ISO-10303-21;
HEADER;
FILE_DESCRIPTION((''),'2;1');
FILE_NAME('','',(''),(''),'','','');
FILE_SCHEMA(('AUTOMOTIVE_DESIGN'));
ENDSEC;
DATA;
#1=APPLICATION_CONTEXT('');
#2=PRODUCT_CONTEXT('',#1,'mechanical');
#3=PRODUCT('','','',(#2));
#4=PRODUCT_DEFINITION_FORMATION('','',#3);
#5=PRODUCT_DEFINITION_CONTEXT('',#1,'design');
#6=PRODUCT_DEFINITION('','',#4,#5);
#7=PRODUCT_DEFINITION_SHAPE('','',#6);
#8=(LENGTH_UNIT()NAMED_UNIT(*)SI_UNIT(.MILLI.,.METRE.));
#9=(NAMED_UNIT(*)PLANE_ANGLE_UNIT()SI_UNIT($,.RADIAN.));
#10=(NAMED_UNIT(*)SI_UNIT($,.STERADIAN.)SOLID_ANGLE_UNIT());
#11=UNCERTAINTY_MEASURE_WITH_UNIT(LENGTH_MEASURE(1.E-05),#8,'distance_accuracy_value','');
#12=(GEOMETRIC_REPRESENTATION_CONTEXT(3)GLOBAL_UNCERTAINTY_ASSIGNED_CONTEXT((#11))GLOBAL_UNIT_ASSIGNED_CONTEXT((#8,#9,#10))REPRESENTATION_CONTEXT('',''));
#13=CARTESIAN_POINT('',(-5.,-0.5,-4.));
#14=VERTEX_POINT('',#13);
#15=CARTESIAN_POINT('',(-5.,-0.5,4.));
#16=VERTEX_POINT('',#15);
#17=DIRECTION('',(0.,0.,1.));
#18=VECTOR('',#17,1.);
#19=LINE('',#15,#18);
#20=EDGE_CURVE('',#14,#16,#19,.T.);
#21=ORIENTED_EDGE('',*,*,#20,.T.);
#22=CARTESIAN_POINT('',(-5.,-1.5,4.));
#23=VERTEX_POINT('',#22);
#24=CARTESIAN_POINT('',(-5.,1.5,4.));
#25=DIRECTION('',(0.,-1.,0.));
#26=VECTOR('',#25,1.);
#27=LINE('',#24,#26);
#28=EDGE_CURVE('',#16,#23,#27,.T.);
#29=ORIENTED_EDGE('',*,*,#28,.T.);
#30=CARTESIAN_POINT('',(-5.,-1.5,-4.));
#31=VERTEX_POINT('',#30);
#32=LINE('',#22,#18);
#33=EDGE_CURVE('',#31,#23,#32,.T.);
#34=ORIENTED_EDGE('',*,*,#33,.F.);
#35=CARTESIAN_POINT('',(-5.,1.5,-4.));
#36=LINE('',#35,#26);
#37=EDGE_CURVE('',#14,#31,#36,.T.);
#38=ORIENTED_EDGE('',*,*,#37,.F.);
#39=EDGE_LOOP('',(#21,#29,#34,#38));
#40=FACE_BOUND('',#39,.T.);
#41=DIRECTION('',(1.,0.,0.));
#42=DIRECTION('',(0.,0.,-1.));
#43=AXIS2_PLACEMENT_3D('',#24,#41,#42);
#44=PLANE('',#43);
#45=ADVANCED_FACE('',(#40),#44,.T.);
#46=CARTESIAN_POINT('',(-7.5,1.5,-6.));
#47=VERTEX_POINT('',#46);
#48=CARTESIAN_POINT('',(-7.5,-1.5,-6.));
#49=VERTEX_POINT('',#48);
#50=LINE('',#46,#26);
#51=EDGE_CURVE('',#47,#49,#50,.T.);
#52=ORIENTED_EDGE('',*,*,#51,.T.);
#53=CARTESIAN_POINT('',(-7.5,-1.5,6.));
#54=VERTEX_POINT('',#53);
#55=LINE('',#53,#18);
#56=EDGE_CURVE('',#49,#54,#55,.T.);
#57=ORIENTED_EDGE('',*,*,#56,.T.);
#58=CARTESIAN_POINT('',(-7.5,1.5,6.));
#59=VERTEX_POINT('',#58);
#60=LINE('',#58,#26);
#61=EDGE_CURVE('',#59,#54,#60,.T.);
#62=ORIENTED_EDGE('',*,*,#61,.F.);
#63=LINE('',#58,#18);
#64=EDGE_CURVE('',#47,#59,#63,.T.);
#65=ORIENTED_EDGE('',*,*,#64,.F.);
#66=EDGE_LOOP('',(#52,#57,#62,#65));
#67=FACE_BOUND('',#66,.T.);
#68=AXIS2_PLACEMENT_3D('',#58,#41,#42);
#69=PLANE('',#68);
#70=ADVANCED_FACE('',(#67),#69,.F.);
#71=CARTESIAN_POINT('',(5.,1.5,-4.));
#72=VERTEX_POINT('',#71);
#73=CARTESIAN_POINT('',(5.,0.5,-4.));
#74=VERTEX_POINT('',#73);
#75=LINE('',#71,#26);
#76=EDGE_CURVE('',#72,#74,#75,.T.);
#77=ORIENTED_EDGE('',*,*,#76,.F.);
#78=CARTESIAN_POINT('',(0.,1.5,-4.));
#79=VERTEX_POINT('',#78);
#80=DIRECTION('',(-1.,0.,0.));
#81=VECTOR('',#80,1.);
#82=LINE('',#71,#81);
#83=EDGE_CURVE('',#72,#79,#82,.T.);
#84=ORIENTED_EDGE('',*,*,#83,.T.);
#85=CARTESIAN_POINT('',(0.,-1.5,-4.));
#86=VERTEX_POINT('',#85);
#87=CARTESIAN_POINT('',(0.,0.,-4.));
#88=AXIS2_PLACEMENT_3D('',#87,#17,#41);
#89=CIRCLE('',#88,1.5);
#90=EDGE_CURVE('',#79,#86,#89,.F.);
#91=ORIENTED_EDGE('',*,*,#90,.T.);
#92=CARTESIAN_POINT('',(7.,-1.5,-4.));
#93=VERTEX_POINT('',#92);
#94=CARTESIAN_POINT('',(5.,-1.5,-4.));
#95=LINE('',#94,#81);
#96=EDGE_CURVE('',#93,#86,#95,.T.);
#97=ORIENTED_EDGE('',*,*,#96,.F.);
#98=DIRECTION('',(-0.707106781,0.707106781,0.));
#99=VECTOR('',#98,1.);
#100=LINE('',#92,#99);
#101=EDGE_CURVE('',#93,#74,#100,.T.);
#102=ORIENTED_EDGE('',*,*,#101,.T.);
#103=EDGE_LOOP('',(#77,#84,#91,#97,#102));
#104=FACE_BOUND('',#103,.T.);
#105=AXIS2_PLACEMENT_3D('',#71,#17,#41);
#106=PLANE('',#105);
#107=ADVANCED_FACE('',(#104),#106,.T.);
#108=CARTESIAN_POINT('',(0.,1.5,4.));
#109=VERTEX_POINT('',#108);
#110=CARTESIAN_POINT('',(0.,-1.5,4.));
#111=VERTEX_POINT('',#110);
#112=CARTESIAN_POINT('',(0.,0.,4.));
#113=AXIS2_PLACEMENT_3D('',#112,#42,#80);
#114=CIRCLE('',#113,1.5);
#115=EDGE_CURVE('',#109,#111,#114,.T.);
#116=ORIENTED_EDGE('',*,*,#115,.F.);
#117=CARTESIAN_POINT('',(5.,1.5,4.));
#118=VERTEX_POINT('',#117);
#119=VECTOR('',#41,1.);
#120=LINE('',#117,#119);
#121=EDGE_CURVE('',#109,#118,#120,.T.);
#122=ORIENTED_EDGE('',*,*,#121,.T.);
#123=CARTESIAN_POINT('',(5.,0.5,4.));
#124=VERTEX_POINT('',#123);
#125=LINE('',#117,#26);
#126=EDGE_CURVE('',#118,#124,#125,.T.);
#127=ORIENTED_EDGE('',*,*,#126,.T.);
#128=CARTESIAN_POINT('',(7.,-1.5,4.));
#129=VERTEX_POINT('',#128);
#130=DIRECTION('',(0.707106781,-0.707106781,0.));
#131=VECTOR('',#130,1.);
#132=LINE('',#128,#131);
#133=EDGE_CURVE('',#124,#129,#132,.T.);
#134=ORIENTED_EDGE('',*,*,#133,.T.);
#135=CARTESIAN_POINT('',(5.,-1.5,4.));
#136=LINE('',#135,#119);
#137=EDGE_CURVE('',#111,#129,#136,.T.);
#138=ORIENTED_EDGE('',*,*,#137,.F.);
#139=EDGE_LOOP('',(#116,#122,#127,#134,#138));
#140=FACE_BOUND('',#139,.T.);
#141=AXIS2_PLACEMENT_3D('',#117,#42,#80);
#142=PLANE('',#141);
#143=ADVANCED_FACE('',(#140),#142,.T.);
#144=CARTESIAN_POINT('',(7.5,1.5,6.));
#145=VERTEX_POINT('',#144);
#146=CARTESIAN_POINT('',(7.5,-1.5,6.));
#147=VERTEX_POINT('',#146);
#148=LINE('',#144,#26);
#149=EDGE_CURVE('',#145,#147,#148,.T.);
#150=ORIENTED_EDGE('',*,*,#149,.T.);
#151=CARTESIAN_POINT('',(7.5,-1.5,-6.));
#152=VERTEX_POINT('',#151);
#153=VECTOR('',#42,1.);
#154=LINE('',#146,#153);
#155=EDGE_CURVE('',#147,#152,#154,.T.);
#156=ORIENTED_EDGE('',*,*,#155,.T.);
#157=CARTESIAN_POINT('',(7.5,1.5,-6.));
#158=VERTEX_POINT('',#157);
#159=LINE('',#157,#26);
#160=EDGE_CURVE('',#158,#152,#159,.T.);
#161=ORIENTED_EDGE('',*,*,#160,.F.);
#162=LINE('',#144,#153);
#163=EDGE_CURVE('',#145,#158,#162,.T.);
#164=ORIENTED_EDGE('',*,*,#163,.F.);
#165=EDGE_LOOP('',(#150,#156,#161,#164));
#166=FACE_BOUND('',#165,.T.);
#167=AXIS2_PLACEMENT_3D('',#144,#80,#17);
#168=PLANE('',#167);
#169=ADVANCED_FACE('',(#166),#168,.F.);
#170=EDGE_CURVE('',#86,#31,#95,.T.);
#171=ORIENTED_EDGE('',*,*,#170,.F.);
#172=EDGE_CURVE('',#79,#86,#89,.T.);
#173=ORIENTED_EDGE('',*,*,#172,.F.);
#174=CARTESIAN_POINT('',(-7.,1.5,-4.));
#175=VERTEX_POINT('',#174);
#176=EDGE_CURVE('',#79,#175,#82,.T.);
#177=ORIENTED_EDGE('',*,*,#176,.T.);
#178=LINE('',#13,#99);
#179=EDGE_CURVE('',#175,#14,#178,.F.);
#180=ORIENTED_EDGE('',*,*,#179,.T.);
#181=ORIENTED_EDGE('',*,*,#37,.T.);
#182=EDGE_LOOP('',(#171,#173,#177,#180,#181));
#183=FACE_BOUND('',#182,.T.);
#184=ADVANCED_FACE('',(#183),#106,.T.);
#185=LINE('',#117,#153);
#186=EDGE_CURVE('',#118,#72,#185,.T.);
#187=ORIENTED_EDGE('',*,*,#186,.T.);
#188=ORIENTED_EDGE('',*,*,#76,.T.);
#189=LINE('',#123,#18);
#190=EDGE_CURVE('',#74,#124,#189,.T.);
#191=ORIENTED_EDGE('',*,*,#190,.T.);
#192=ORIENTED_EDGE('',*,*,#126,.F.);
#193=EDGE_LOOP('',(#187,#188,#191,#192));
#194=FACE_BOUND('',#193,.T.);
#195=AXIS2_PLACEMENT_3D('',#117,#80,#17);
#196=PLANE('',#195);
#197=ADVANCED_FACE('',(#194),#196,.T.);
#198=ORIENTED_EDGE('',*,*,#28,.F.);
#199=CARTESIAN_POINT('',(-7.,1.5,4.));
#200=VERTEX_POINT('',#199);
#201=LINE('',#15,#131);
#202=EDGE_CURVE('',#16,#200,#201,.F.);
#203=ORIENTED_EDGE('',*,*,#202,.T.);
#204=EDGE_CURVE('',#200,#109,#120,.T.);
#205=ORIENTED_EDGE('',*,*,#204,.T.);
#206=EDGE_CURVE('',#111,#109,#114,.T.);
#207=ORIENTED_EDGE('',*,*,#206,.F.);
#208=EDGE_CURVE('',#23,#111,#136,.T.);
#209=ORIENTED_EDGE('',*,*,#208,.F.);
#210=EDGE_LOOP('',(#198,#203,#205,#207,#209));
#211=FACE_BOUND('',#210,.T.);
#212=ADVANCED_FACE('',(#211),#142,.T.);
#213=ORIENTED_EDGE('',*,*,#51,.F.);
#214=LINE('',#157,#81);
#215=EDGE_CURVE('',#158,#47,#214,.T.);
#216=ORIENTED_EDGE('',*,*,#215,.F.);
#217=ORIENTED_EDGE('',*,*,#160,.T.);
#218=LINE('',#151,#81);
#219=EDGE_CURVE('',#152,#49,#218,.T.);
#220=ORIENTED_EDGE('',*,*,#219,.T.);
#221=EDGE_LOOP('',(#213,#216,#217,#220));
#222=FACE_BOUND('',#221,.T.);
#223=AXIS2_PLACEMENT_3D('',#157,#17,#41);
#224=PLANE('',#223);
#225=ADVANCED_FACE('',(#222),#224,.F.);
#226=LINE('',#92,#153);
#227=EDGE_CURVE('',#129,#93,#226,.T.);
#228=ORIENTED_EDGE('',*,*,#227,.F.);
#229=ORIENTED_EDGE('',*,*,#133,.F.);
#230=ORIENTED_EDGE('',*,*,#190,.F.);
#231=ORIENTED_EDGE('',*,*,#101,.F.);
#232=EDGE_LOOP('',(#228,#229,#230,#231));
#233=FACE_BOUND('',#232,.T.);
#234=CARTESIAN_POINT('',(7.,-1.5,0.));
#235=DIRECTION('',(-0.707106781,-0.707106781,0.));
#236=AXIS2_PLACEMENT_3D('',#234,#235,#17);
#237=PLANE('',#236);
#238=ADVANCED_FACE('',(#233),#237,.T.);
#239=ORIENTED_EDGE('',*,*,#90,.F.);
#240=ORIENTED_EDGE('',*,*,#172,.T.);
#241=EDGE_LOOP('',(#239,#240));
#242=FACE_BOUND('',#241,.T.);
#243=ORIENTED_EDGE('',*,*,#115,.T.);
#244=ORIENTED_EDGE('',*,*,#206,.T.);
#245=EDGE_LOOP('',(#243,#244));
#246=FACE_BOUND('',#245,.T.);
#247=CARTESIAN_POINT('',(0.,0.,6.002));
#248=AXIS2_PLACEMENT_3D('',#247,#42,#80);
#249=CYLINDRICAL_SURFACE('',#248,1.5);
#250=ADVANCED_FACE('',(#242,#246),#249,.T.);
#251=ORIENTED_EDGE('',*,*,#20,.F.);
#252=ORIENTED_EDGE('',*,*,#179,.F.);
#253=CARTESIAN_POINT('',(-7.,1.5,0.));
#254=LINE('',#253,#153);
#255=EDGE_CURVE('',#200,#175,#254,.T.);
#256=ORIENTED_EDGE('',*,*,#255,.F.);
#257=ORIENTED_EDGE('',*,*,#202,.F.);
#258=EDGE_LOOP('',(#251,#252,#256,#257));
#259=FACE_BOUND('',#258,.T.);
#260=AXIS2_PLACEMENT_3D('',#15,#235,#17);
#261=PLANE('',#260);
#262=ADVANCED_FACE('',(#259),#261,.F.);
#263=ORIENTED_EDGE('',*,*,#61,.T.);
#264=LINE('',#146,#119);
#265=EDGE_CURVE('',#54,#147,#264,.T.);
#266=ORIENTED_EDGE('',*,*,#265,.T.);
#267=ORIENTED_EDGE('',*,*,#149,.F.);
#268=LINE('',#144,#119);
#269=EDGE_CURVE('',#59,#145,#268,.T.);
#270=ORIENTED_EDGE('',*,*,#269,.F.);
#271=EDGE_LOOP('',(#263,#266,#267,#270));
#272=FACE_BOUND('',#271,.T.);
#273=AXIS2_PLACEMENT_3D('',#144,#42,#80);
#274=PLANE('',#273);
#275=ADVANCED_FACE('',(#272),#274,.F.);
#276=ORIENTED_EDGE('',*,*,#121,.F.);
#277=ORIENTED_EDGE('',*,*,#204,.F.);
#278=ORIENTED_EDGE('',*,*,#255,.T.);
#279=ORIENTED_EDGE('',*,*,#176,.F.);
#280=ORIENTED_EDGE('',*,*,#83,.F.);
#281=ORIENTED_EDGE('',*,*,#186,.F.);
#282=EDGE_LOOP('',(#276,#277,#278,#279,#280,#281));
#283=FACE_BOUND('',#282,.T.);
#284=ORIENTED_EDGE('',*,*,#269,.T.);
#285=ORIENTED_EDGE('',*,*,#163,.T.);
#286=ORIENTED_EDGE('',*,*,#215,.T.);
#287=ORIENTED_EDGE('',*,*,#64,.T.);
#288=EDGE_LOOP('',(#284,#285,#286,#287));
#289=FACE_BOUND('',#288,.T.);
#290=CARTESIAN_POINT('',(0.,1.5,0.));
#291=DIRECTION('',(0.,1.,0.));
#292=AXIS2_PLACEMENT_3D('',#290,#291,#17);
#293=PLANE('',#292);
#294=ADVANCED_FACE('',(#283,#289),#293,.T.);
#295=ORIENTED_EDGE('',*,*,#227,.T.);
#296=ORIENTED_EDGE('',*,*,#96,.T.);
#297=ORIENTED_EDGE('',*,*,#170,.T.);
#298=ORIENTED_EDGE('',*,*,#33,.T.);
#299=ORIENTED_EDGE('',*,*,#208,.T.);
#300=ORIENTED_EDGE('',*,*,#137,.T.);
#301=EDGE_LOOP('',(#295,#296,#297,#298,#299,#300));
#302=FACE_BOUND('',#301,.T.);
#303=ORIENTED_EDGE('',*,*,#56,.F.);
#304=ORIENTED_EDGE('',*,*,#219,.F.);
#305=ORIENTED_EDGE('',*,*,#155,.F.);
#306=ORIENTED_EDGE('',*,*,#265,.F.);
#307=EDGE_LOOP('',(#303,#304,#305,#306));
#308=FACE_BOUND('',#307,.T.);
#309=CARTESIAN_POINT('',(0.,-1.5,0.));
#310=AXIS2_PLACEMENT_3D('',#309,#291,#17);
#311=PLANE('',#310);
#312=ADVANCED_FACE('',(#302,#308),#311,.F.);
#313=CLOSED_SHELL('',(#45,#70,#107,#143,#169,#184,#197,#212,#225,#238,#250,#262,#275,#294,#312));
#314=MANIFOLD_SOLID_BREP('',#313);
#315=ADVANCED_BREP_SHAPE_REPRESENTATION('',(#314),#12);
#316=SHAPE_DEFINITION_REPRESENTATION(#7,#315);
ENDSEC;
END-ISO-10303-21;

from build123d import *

# Parameters (mm, degrees)
SKETCH1_W           = 15
SKETCH1_H           = 12
SKETCH1_W_2         = 10
SKETCH1_H_2         = 8
BOSS_EXTRUDE1_DEPTH = 1.5
BOSS_EXTRUDE2_REACH = 12
SKETCH2_R           = 1.5
CHAMFER1_SIZE       = 2
CHAMFER2_SIZE       = 2


with BuildPart() as part:
    # Sketch1 → Boss-Extrude1 (new body, symmetric)
    with BuildSketch(Plane(origin=(0, 0, 0), x_dir=(1, 0, 0), z_dir=(0, 1, 0))):
        Rectangle(SKETCH1_W, SKETCH1_H)
        Rectangle(SKETCH1_W_2, SKETCH1_H_2, mode=Mode.SUBTRACT)
    extrude(amount=BOSS_EXTRUDE1_DEPTH, both=True)

    # Sketch2 → Boss-Extrude2 (add, up to next)
    with BuildSketch(Plane.XY.offset(-4), mode=Mode.PRIVATE) as boss_extrude2_sk1:
        Circle(SKETCH2_R)
    boss_extrude2_tool1 = extrude(boss_extrude2_sk1.sketch, amount=BOSS_EXTRUDE2_REACH, mode=Mode.PRIVATE) - part.part
    add(boss_extrude2_tool1.solids().sort_by_distance((0, 0, -4))[0])

    # Chamfer1
    chamfer1_edges = [part.edges().sort_by_distance(p)[0] for p in [
        (5, -1.5, 0),
    ]]
    chamfer(chamfer1_edges, length=CHAMFER1_SIZE)

    # Chamfer2
    chamfer2_edges = [part.edges().sort_by_distance(p)[0] for p in [
        (-5, 1.5, 0),
    ]]
    chamfer(chamfer2_edges, length=CHAMFER2_SIZE)


solid = part.part
